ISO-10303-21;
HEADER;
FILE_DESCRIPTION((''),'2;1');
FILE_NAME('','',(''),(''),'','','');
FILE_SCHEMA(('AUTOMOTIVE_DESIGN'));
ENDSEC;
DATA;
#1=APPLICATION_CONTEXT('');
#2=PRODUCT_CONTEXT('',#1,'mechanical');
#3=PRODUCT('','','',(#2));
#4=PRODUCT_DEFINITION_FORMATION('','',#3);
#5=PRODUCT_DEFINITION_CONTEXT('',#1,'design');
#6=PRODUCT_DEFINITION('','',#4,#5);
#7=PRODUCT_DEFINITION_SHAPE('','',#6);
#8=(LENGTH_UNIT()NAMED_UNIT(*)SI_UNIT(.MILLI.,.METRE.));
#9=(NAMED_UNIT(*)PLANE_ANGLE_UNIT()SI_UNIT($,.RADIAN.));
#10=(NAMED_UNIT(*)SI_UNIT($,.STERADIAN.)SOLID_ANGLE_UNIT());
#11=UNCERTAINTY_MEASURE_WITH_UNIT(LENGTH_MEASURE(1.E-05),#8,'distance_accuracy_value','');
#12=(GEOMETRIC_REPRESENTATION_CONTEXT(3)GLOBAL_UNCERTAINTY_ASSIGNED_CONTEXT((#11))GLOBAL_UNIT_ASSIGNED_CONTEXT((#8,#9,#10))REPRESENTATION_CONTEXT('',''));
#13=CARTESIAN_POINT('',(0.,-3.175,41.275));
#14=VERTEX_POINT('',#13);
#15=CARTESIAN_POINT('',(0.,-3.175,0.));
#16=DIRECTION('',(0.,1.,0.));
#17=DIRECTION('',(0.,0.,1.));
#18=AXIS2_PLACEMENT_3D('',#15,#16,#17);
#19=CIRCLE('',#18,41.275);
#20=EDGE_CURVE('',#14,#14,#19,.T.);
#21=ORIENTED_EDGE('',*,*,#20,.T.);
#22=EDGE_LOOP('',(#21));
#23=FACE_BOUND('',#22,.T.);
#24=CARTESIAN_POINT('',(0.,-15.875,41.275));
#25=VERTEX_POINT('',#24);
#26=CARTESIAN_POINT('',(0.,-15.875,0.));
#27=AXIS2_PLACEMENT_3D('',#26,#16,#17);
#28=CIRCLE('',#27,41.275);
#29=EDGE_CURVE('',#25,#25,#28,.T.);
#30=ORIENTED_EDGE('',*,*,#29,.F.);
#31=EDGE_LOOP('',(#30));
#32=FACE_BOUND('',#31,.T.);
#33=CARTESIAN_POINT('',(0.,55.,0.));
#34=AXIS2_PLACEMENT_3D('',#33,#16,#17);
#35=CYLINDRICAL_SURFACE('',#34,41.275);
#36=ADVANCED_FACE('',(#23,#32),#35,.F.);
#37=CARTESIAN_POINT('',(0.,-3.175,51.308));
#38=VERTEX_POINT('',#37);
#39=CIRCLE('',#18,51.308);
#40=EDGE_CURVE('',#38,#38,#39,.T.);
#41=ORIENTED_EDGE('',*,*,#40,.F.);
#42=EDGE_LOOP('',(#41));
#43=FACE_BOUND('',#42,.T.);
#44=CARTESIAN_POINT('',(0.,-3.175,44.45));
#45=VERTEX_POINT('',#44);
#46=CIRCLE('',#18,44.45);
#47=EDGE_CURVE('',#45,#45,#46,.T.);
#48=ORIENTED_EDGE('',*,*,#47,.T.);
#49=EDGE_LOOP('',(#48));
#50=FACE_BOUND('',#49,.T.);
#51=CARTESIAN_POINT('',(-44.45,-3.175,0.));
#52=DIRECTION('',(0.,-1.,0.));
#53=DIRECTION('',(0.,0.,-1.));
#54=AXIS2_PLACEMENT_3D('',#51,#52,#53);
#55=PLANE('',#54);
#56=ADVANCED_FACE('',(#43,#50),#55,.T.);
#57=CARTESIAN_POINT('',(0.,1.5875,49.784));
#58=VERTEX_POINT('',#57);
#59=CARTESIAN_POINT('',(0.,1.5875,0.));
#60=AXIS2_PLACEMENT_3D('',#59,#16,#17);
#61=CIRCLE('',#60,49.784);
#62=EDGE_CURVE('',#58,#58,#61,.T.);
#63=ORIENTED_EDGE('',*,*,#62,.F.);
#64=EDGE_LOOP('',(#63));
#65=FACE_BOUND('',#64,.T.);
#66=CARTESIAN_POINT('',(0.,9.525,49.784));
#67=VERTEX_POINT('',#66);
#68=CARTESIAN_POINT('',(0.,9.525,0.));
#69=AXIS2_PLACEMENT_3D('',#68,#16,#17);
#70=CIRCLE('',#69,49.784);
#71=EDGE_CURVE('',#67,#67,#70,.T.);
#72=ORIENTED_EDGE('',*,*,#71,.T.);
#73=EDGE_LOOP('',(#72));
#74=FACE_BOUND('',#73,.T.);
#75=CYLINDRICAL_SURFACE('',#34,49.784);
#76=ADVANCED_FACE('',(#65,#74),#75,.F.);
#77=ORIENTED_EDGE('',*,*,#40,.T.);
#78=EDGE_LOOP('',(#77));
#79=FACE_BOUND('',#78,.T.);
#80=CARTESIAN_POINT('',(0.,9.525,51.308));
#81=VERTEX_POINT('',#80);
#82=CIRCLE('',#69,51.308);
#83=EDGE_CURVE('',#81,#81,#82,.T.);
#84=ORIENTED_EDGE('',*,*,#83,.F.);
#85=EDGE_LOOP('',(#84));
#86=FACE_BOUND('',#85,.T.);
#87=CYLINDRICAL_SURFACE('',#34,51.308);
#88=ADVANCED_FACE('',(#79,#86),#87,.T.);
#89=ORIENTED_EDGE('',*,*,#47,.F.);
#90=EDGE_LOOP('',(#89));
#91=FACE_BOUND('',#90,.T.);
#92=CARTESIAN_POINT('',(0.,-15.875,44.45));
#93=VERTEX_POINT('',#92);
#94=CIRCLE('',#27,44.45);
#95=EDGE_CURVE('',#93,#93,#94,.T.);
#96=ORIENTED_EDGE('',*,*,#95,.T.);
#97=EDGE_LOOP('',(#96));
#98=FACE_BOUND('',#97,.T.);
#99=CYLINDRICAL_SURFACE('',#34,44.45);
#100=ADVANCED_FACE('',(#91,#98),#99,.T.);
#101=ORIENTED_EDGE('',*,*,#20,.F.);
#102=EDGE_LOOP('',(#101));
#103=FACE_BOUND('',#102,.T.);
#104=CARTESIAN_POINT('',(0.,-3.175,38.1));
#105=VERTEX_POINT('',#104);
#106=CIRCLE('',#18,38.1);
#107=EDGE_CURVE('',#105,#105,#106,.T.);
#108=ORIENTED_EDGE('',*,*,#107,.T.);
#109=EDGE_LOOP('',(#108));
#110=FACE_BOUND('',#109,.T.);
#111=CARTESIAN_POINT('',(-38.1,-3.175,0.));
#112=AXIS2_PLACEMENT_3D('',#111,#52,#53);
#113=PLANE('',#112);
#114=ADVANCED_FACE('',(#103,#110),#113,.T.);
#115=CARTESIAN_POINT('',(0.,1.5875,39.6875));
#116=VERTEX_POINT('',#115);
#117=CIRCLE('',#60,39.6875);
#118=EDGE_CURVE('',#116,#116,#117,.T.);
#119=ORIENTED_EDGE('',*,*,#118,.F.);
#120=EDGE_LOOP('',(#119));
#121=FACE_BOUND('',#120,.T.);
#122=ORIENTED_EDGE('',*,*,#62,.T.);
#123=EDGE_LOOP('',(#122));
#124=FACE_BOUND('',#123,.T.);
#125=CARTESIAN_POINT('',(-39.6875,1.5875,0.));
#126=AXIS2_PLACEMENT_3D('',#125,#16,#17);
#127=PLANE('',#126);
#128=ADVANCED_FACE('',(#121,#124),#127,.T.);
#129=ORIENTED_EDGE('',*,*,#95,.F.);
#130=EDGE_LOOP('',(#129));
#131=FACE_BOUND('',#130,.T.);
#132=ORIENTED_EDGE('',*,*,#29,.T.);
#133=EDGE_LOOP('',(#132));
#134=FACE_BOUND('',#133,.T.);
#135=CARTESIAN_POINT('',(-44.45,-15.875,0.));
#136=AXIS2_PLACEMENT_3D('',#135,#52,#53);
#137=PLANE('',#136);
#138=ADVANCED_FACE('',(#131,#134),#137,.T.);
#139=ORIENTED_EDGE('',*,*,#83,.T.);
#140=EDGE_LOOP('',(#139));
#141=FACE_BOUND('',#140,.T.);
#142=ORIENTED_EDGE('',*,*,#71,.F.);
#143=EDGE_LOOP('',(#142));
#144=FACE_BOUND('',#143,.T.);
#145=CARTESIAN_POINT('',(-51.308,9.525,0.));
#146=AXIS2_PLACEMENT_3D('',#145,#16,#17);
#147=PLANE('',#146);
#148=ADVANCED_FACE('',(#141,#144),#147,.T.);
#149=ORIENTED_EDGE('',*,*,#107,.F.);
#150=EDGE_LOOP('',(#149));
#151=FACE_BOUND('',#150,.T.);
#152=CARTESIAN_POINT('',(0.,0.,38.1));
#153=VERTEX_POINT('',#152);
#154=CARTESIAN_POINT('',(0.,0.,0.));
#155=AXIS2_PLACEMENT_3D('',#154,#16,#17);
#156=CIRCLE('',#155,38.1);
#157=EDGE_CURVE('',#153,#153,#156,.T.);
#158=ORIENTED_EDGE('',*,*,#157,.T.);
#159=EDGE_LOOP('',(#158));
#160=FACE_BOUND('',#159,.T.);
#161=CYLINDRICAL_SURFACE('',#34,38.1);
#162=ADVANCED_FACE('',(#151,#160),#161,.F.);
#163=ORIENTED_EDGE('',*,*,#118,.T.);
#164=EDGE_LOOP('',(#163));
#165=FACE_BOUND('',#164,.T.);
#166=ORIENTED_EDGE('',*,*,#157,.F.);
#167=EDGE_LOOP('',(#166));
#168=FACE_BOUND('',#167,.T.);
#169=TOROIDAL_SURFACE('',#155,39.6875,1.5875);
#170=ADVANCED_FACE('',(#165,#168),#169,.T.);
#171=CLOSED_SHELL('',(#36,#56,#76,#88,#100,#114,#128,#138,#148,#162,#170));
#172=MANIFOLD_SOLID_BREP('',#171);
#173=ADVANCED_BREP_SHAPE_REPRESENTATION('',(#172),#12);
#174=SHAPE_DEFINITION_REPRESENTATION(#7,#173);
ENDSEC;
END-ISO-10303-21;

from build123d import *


with BuildPart() as part:
    # Cross Section → Main (revolve)
    with BuildSketch(Plane.XY):
        with BuildLine():
            Line((-38.1, 0), (-38.1, -3.175))
            Line((-38.1, -3.175), (-41.275, -3.175))
            Line((-41.275, -3.175), (-41.275, -15.875))
            Line((-41.275, -15.875), (-44.45, -15.875))
            Line((-44.45, -15.875), (-44.45, -3.175))
            Line((-44.45, -3.175), (-51.308, -3.175))
            Line((-51.308, -3.175), (-51.308, 9.525))
            Line((-51.308, 9.525), (-49.784, 9.525))
            Line((-49.784, 9.525), (-49.784, 1.5875))
            Line((-49.784, 1.5875), (-39.6875, 1.5875))
            ThreePointArc((-39.6875, 1.5875), (-38.564967985, 1.122532015), (-38.1, 0))
        make_face()
    revolve(axis=Axis((0, 55, 0), (0, -1, 0)))


solid = part.part
